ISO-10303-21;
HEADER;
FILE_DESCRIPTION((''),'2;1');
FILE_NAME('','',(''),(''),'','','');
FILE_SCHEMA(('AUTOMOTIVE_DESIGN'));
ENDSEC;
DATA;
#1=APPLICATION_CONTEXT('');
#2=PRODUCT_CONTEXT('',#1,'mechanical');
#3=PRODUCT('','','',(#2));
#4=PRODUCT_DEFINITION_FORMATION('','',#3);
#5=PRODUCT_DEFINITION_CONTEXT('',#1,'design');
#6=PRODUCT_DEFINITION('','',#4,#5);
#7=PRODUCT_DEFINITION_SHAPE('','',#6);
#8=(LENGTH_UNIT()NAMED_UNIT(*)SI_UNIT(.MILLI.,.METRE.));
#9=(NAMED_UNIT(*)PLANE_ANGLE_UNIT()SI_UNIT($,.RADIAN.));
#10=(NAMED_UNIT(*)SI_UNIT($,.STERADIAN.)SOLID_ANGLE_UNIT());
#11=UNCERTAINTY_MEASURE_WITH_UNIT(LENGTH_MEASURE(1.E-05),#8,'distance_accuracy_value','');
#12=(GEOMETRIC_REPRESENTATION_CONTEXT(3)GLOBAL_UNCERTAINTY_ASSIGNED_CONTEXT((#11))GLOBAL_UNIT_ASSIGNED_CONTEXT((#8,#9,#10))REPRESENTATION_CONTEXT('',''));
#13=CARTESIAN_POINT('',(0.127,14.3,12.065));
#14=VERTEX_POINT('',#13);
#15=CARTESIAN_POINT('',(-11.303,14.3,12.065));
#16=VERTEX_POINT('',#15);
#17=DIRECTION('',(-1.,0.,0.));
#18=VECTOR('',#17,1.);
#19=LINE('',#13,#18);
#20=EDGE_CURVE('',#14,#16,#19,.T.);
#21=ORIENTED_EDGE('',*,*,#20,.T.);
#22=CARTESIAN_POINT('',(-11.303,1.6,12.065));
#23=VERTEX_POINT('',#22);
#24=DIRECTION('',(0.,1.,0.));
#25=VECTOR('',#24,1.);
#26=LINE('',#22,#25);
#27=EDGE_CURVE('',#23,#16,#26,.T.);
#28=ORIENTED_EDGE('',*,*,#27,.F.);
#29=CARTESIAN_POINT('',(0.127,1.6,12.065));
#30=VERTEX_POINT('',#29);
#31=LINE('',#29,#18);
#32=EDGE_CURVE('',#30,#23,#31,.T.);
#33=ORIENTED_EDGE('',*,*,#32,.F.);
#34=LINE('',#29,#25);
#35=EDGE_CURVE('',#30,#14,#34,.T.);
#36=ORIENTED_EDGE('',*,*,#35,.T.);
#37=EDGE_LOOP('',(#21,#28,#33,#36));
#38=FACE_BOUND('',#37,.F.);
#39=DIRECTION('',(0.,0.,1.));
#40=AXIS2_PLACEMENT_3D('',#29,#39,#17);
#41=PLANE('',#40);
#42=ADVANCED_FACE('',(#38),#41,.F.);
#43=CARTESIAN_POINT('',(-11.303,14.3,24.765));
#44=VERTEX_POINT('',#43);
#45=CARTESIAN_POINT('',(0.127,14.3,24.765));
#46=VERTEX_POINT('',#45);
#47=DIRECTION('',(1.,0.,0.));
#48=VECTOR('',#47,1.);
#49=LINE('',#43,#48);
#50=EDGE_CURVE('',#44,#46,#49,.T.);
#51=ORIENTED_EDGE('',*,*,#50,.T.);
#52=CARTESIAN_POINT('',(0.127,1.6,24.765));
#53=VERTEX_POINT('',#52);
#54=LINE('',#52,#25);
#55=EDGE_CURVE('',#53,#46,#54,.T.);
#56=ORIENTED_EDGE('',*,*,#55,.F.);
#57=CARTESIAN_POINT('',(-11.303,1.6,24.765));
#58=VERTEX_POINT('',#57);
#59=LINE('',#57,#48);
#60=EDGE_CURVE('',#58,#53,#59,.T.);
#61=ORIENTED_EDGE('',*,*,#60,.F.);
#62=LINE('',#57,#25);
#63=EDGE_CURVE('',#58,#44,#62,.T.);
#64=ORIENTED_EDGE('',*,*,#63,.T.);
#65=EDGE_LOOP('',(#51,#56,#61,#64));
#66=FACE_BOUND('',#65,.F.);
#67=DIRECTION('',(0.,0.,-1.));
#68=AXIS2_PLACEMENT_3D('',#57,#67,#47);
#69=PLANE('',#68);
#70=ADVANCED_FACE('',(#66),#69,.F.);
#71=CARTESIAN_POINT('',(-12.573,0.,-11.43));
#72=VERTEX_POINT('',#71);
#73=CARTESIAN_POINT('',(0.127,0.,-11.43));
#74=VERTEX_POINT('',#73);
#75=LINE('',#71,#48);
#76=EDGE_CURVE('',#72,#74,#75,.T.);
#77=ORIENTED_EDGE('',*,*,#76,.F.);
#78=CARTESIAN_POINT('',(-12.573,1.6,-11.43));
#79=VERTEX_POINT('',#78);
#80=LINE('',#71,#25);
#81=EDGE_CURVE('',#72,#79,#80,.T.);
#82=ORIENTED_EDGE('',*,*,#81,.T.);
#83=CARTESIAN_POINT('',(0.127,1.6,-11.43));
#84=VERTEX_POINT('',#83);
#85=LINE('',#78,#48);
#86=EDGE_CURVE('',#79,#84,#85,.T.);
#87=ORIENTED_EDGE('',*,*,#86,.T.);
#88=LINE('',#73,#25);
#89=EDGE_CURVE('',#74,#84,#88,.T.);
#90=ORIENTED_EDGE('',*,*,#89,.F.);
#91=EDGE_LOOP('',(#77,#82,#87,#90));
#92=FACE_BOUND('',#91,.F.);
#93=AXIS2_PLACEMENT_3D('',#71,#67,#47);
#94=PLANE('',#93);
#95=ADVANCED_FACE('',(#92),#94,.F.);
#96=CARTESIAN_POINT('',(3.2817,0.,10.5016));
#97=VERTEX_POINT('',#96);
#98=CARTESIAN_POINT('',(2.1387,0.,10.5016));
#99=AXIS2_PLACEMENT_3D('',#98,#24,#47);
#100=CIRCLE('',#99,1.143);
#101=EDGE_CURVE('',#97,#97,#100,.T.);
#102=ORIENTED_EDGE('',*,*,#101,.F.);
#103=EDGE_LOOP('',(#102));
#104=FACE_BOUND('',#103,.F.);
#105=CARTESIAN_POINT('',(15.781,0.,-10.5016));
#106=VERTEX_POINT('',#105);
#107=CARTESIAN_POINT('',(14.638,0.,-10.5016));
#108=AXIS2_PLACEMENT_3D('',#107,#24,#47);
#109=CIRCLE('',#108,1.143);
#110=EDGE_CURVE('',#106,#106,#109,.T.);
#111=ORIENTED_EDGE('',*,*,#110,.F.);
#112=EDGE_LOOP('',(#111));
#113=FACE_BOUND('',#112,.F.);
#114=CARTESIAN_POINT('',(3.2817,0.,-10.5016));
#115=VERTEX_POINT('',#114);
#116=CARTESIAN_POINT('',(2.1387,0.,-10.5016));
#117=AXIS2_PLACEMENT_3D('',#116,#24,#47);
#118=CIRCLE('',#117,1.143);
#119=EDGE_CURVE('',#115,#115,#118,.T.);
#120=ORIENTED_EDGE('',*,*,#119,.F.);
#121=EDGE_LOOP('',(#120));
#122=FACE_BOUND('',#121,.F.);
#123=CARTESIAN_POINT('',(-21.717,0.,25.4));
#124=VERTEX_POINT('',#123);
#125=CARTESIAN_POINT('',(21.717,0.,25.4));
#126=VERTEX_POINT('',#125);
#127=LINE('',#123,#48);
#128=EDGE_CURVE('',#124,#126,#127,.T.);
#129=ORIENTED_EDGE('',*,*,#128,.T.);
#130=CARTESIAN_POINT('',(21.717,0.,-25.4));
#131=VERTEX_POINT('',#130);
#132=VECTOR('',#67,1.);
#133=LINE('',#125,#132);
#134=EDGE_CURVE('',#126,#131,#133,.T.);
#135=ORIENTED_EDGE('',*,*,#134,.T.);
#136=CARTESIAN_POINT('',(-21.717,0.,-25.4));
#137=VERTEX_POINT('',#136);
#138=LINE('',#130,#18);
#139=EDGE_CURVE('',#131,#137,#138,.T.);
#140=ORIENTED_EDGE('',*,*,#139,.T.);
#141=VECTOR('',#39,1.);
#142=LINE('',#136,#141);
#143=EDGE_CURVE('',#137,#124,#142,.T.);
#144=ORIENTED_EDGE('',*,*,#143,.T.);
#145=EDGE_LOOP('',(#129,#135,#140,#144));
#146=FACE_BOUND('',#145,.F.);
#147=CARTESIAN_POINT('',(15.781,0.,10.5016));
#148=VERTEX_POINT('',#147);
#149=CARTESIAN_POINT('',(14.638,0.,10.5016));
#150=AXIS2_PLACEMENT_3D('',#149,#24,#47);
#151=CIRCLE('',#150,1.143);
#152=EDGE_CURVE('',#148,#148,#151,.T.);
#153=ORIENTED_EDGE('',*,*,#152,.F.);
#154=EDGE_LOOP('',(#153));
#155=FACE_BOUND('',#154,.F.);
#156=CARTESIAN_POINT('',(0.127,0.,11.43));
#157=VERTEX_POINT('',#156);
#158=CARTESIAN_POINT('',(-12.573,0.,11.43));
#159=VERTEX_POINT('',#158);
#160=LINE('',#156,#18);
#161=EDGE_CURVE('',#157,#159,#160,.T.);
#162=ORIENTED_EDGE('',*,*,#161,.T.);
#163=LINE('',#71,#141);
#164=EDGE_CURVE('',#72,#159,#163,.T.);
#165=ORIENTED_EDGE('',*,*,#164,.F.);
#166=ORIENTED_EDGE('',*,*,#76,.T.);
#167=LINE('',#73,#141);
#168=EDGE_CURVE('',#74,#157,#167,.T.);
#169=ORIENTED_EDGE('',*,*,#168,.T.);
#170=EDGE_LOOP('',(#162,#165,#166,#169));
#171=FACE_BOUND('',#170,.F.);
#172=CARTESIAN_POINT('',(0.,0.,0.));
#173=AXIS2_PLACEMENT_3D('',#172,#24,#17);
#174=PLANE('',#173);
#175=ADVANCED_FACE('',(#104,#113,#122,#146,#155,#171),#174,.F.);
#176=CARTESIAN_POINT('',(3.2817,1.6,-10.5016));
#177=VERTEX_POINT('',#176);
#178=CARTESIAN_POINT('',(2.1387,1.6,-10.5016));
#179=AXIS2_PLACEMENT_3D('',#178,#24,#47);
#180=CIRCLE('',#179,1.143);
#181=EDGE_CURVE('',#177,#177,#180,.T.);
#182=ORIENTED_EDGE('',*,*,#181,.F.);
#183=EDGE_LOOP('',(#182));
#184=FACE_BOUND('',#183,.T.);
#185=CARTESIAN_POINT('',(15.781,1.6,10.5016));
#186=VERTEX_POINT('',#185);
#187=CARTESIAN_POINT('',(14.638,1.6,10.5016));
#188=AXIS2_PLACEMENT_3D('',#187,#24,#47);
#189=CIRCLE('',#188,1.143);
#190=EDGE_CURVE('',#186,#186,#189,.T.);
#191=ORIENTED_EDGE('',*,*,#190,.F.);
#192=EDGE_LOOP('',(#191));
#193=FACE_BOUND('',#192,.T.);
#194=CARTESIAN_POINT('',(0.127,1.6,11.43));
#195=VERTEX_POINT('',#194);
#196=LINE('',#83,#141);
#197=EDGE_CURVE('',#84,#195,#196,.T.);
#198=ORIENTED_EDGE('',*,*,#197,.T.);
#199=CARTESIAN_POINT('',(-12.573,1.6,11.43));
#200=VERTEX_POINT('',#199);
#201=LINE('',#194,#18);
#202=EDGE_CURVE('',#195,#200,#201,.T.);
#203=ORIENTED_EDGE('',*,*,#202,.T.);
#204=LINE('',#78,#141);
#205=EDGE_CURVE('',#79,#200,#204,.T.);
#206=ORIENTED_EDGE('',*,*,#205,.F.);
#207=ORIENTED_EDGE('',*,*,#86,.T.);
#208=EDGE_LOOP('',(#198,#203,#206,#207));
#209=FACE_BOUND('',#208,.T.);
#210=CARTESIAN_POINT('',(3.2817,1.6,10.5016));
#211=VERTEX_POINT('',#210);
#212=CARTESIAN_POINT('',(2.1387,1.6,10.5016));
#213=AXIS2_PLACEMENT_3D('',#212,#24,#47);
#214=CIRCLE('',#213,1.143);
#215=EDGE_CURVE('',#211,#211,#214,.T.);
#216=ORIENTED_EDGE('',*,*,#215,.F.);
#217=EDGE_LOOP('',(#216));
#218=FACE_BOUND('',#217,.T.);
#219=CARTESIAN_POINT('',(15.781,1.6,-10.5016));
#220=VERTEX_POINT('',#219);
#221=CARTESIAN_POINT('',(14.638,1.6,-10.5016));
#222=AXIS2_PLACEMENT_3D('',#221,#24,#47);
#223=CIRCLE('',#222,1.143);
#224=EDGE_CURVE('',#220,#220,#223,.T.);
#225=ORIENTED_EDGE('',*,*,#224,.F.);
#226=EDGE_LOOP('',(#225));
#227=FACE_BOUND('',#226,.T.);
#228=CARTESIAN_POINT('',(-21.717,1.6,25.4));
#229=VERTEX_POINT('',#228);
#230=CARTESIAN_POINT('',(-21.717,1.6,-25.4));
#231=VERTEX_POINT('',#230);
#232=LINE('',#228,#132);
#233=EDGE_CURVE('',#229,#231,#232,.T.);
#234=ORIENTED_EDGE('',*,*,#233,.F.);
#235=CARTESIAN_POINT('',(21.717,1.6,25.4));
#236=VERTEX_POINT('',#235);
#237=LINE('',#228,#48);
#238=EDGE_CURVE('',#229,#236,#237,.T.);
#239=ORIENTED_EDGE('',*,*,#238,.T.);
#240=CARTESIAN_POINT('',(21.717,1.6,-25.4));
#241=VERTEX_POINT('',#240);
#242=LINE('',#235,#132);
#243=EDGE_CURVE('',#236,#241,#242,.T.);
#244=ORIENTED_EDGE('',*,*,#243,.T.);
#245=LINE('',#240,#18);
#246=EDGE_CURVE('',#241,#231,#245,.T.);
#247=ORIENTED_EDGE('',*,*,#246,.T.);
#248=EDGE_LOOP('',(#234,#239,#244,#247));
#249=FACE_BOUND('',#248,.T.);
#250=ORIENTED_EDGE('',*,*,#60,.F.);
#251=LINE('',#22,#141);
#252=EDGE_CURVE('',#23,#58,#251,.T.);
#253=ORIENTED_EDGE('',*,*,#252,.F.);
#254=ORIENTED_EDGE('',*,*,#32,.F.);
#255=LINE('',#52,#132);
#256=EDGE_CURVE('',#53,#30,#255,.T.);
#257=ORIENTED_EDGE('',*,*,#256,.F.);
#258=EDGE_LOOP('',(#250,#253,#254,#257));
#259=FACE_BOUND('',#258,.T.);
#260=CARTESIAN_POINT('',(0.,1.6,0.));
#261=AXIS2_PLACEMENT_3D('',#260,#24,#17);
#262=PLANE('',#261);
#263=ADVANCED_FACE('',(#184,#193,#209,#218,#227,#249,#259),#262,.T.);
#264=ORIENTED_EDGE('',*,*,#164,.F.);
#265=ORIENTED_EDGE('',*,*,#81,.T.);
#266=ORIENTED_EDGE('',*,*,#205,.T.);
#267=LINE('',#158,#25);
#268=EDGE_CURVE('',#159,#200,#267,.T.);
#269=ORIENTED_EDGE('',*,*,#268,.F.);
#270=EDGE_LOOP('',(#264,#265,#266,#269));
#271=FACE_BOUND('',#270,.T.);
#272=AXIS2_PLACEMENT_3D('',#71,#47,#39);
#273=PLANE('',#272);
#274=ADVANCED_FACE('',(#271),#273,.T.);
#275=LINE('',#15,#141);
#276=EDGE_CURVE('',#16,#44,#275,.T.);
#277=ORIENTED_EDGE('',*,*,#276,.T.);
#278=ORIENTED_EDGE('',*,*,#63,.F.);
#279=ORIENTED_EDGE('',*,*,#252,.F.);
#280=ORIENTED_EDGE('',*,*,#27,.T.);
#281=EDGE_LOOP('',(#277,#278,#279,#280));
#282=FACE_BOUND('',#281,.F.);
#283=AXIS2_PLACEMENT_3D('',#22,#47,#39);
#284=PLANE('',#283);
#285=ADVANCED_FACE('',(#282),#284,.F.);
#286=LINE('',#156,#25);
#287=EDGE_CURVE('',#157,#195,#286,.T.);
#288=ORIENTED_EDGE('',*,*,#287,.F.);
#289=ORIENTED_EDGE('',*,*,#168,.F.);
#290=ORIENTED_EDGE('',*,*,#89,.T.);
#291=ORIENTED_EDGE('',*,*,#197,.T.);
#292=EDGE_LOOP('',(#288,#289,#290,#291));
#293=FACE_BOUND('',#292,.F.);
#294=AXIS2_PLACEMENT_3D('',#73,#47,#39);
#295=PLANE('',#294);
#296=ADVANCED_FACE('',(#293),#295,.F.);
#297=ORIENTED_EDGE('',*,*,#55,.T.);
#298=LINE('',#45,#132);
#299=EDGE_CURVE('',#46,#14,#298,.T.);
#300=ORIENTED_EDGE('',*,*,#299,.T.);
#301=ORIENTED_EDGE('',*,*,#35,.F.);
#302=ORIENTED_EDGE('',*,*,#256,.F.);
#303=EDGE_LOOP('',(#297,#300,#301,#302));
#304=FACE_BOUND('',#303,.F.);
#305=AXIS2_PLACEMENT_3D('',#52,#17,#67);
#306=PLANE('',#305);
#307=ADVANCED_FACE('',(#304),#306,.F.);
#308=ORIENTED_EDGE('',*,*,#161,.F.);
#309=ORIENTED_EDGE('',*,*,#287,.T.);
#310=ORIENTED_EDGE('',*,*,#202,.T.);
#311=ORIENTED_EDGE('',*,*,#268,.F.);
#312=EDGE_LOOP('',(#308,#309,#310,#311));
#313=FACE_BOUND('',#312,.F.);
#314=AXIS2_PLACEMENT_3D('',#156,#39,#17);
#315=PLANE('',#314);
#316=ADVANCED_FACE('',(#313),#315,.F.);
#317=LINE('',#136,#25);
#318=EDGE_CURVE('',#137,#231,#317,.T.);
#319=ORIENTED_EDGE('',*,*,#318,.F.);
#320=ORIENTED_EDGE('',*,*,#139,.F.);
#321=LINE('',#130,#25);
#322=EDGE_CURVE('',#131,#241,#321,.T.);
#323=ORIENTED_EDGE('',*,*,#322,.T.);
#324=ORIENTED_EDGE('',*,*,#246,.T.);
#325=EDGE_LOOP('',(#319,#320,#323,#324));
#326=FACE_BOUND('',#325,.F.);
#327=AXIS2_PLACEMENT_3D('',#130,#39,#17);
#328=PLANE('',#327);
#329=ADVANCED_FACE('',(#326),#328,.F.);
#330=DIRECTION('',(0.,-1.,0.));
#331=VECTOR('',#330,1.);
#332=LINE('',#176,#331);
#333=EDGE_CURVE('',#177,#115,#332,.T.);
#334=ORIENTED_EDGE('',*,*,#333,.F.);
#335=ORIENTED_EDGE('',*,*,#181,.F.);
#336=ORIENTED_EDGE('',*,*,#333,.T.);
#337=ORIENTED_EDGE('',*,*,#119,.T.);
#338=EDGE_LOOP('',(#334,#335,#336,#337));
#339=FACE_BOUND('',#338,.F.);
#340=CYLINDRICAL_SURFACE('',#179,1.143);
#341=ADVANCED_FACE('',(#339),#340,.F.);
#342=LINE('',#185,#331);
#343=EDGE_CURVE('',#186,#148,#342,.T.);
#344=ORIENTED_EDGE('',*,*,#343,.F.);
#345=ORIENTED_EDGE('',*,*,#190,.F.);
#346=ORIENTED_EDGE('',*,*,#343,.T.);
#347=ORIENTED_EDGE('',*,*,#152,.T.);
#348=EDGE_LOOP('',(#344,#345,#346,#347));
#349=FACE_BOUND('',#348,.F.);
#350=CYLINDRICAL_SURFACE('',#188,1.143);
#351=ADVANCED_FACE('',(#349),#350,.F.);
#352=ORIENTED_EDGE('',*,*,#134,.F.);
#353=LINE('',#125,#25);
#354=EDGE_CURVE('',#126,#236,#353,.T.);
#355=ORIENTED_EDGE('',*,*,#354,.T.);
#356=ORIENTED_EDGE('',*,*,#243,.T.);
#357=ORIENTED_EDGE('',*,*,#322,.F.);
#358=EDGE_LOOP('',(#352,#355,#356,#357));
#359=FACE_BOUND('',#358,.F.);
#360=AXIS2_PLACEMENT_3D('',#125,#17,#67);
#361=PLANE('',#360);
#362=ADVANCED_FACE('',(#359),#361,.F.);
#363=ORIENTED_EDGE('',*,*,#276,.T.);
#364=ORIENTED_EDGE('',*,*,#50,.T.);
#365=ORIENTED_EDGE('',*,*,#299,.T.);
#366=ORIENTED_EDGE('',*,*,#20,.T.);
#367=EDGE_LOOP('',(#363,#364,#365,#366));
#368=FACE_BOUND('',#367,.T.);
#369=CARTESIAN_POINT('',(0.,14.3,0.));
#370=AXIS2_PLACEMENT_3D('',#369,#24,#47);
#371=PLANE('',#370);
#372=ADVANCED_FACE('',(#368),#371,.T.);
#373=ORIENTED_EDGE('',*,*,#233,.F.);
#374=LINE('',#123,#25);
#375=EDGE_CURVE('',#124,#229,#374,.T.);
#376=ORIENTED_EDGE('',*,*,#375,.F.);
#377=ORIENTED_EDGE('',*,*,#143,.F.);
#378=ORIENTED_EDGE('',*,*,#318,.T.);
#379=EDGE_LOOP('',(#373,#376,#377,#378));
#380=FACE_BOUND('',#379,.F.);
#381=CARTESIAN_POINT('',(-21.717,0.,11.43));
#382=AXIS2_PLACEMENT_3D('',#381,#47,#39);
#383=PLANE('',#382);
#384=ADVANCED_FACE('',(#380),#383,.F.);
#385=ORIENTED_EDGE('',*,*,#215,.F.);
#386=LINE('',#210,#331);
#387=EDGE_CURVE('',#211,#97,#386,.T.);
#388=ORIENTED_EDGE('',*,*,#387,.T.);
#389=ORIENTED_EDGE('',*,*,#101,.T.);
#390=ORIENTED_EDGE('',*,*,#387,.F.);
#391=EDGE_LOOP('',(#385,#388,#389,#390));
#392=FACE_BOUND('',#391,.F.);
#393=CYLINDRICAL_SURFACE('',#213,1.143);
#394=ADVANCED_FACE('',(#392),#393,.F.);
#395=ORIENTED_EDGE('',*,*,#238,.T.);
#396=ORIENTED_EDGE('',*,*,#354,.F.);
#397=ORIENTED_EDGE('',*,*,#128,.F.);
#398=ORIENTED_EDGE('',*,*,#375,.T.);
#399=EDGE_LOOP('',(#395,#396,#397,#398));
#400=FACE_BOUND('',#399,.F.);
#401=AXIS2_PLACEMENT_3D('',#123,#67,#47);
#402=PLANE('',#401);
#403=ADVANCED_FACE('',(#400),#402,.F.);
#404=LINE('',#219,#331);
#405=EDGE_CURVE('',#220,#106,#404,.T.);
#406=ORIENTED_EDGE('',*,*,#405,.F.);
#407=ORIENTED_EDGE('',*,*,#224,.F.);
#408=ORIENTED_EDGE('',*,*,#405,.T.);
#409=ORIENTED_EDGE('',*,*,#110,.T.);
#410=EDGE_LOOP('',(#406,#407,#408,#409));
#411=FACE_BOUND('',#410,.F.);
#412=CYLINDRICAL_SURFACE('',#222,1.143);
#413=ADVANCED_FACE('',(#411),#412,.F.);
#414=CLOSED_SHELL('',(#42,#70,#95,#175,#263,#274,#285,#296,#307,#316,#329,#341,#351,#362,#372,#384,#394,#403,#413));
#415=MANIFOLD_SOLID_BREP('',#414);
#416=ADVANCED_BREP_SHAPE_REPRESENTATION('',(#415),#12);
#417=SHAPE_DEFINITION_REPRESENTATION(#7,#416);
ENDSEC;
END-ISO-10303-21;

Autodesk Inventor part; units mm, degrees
ref_plane "YZ Plane" through (0, 0, 0) normal (1, 0, 0) x (0, 1, 0)
sketch "Sketch1" plane through (0, 0, 0) normal (0, 1, 0) x (-1, 0, 0)
  line L0 (21.717, 25.4) -> (-21.717, 25.4)
  line L1 (-21.717, 25.4) -> (-21.717, -25.4)
  line L2 (-21.717, -25.4) -> (21.717, -25.4)
  line L3 (21.717, -25.4) -> (21.717, -11.43)
  line L4 (12.573, -11.43) -> (-0.127, -11.43)
  line L5 (-0.127, -11.43) -> (-0.127, 11.43)
  line L6 (-0.127, 11.43) -> (12.573, 11.43)
  line L7 (21.717, 11.43) -> (21.717, 25.4)
  line L8 (12.573, -11.43) -> (12.573, 11.43)
  line L9 (21.717, 11.43) -> (21.717, -11.43)
  point P0 (0, 0)
  dimension "d0" = 43.434
  dimension "d1" = 43.434
  dimension "d2" = 21.717
  dimension "d3" = 50.8
  dimension "d4" = 25.4
  dimension "d33" = 21.59
  dimension "d34" = 12.7
  dimension "d35" = 13.97
  dimension "d36" = 13.97
ref_plane "Work Plane2" through (0, 1.6, 0) normal (0, 1, 0) x (1, 0, 0)
extrude "Extrusion4" add sketch "Sketch1" along normal blind 1.6
ref_plane "Work Plane1" through (0, 1.6, 0) normal (0, 1, 0) x (1, 0, 0)
sketch "Sketch3" plane through (0, 1.6, 0) normal (0, 1, 0) x (1, 0, 0)
  circle A0 centre (2.1387, -10.5016) radius 1.143
  circle A1 centre (2.1387, 10.5016) radius 1.143
  circle A2 centre (14.638, -10.5016) radius 1.143
  circle A3 centre (14.638, 10.5016) radius 1.143
  line L0 (21.717, -25.4) -> (21.717, 25.4) projected
  point P0 (0, 0)
  dimension "d19" = 2.286
  dimension "d20" = 2.286
  dimension "d21" = 2.286
  dimension "d22" = 2.286
  dimension "d23" = 21.0033
  dimension "d24" = 21.0033
  dimension "d27" = 12.4993
  dimension "d30" = 12.4993
  dimension "d42" = 7.079
  dimension "d43" = 7.079
  dimension "d44" = 10.5016
extrude "Extrusion6" cut sketch "Sketch3" against normal through all
sketch "Sketch4" plane through (0, 1.6, 0) normal (0, 1, 0) x (1, 0, 0)
  line L0 (-11.303, -24.765) -> (0.127, -24.765)
  line L1 (0.127, -24.765) -> (0.127, -12.065)
  line L2 (0.127, -12.065) -> (-11.303, -12.065)
  line L3 (-11.303, -12.065) -> (-11.303, -24.765)
  line L4 (-12.573, -11.43) -> (-12.573, 11.43) projected
  line L5 (0.127, 11.43) -> (0.127, -11.43) projected
  line L6 (-21.717, -25.4) -> (21.717, -25.4) projected
  point P0 (0, 0)
  dimension "d48" = 0
  dimension "d49" = 11.43
  dimension "d50" = 12.7
  dimension "d51" = 0.635
extrude "Extrusion7" add sketch "Sketch4" along normal blind 12.7
equation "\"d1\" = d0"
equation "\"d2\" = 0.5 * d0"
equation "\"d4\" = 0.5 * d3"
equation "\"d36\" = d35"
equation "\"d20\" = d19"
equation "\"d21\" = d20"
equation "\"d22\" = d21"
equation "\"d24\" = d23"
equation "\"d30\" = d27"
equation "\"d43\" = d42"
equation "\"d44\" = 0.5 * d24"
properties part number "Sensor Board"
